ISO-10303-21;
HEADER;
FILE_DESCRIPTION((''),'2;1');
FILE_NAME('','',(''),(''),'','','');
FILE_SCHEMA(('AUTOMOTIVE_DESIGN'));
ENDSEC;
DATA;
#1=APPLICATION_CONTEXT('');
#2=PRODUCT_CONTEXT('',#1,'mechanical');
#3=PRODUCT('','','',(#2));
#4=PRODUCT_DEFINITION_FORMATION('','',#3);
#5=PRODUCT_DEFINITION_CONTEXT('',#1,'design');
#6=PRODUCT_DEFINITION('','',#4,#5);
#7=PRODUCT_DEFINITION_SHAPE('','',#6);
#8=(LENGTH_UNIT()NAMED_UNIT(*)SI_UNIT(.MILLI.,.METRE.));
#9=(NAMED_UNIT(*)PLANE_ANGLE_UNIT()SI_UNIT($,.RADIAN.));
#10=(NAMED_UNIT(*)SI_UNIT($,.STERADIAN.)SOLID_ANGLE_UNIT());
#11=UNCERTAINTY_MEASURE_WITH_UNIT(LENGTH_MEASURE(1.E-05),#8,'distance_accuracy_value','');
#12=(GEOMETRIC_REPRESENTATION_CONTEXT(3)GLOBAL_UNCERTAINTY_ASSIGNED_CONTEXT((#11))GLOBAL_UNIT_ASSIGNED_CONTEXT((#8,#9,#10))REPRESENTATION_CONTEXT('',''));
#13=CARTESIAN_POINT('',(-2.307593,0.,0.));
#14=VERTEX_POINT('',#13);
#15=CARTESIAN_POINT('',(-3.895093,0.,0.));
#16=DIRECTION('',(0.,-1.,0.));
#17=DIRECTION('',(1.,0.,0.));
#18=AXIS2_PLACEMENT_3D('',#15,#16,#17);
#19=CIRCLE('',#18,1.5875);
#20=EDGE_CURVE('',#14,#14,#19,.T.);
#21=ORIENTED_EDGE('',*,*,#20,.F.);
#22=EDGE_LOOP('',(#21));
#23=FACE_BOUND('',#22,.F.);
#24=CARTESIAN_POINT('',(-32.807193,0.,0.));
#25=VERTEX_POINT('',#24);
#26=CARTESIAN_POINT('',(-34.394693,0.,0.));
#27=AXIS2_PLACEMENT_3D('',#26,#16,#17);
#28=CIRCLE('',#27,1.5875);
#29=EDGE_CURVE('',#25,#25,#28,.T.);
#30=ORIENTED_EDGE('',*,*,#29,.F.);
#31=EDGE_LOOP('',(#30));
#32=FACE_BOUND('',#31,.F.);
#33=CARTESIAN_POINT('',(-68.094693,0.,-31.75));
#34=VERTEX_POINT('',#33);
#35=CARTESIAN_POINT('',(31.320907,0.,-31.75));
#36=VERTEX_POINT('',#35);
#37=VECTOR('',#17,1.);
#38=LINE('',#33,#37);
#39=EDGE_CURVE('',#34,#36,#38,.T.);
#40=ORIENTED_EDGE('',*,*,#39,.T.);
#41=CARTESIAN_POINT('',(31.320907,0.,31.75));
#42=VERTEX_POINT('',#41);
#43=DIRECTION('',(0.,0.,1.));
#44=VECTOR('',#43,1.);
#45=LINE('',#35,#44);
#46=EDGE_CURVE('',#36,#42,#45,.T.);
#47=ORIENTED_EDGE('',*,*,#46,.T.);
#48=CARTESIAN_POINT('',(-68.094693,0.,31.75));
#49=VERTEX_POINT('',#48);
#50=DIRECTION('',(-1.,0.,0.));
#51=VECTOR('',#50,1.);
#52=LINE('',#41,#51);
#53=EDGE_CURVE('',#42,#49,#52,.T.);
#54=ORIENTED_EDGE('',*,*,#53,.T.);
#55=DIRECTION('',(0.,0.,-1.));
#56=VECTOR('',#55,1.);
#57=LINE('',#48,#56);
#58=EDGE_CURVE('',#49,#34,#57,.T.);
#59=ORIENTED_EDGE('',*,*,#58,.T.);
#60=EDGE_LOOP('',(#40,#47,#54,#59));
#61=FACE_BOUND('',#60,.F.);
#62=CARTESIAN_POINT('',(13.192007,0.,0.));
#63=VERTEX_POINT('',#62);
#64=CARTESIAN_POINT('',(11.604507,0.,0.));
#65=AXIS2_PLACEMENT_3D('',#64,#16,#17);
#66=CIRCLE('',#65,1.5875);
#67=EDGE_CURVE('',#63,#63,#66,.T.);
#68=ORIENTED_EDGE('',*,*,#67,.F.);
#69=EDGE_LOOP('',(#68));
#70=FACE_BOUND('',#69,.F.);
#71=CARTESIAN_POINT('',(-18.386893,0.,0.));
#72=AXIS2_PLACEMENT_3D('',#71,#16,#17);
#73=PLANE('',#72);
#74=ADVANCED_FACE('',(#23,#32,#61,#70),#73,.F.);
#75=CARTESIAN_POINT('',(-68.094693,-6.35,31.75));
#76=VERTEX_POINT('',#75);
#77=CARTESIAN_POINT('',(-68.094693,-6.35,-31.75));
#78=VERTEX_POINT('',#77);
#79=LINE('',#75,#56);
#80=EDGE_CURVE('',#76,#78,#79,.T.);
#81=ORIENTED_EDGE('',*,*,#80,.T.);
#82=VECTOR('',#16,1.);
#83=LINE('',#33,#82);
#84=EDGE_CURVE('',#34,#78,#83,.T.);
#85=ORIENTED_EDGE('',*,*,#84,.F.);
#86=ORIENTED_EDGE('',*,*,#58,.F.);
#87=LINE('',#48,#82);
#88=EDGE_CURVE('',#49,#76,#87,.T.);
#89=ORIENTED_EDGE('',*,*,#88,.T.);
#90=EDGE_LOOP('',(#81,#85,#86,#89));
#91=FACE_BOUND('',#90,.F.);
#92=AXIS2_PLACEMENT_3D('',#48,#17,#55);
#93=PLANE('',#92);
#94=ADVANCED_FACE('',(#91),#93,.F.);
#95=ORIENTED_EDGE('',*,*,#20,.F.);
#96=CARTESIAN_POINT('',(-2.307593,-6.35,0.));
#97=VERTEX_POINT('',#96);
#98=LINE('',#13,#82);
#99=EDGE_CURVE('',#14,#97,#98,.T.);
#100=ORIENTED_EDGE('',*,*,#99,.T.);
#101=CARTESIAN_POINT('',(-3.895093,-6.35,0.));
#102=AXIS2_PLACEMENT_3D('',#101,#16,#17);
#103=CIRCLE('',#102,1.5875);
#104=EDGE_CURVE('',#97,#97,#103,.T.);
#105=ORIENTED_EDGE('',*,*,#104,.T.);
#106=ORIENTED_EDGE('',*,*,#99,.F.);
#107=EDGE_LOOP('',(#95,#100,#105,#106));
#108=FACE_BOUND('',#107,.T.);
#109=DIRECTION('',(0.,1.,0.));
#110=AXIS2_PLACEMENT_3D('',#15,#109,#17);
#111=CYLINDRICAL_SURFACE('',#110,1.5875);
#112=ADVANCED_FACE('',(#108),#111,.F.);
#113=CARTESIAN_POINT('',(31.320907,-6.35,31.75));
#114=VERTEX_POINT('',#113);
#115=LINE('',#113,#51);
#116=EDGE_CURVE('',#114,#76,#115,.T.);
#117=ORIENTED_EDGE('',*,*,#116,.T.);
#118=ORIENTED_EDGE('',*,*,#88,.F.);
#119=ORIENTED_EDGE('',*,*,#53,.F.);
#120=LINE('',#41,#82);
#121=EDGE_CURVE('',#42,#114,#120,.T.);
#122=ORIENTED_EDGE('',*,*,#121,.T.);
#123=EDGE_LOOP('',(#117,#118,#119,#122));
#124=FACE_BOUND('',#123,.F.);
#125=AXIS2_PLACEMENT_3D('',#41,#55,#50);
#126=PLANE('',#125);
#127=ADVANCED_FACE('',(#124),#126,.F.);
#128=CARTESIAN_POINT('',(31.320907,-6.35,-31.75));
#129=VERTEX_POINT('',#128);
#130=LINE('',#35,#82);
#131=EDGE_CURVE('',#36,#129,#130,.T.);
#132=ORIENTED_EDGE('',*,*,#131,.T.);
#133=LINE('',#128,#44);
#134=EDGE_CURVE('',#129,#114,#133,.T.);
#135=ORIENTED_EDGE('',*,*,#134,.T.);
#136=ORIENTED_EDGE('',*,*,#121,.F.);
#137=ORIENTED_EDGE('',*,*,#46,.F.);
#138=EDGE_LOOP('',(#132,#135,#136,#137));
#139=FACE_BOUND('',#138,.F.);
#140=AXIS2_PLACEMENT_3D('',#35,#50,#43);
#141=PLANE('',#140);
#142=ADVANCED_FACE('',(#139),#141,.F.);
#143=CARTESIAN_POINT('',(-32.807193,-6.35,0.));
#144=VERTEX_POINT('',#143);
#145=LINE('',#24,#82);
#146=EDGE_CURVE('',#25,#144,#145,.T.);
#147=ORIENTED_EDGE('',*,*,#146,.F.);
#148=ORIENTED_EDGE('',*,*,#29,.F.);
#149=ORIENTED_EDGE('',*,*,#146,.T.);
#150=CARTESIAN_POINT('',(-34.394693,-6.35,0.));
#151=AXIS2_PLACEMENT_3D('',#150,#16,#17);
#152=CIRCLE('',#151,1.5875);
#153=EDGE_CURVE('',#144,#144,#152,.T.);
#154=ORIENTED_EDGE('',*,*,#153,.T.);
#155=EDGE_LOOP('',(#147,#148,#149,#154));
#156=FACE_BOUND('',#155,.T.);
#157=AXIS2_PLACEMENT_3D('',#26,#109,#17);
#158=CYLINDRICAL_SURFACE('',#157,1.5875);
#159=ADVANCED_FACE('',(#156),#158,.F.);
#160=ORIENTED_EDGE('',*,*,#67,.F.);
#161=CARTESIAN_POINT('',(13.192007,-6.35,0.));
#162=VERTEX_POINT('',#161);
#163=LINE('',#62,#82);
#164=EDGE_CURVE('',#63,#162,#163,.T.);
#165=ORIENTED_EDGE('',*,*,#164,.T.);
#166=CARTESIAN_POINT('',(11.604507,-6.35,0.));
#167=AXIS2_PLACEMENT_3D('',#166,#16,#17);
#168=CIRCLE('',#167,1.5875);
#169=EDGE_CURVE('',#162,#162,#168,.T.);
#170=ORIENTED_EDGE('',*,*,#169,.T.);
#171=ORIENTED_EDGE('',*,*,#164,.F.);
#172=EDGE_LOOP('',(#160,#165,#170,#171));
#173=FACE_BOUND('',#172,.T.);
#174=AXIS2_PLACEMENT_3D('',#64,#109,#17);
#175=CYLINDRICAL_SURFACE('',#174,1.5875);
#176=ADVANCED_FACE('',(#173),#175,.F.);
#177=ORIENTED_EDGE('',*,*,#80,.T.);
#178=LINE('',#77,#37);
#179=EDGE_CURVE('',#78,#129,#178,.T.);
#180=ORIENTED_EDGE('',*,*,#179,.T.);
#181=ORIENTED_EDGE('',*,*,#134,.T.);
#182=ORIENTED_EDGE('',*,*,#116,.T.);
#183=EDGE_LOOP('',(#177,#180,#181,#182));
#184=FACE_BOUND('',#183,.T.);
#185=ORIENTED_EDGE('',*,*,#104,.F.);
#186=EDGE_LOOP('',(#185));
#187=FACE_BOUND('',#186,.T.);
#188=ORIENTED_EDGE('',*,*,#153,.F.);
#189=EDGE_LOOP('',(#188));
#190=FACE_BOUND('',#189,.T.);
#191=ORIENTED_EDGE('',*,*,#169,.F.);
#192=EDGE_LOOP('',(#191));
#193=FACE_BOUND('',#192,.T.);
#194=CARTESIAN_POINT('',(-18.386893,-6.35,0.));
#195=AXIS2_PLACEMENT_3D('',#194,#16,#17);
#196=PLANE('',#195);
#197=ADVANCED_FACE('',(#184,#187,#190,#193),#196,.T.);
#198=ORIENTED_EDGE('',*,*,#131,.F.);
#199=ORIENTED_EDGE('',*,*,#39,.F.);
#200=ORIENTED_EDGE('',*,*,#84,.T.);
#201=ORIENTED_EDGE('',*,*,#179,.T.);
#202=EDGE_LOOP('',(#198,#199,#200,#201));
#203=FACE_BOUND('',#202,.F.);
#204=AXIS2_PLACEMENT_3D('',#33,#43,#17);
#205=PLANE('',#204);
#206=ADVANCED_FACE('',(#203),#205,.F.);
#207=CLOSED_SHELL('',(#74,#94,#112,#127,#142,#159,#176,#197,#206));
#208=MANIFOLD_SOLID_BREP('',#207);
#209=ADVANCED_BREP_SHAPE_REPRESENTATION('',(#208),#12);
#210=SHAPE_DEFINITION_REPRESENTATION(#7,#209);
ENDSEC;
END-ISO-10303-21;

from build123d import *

# Parameters (mm, degrees)
F0_R     = 1.5875
F1_DEPTH = 6.35


with BuildPart() as f1:
    # F0 (on Front) → F1 (new body)
    with BuildSketch(Plane.XZ):
        Polygon((-68.094693, 31.75), (-68.094693, 0), (-68.094693, -31.75), (31.320907, -31.75), (31.320907, 31.75), align=None)
        with Locations((-34.394693, 0)):
            Circle(F0_R, mode=Mode.SUBTRACT)
        with Locations((-3.895093, 0)):
            Circle(F0_R, mode=Mode.SUBTRACT)
        with Locations((11.604507, 0)):
            Circle(F0_R, mode=Mode.SUBTRACT)
    extrude(amount=F1_DEPTH)


solid = f1.part
